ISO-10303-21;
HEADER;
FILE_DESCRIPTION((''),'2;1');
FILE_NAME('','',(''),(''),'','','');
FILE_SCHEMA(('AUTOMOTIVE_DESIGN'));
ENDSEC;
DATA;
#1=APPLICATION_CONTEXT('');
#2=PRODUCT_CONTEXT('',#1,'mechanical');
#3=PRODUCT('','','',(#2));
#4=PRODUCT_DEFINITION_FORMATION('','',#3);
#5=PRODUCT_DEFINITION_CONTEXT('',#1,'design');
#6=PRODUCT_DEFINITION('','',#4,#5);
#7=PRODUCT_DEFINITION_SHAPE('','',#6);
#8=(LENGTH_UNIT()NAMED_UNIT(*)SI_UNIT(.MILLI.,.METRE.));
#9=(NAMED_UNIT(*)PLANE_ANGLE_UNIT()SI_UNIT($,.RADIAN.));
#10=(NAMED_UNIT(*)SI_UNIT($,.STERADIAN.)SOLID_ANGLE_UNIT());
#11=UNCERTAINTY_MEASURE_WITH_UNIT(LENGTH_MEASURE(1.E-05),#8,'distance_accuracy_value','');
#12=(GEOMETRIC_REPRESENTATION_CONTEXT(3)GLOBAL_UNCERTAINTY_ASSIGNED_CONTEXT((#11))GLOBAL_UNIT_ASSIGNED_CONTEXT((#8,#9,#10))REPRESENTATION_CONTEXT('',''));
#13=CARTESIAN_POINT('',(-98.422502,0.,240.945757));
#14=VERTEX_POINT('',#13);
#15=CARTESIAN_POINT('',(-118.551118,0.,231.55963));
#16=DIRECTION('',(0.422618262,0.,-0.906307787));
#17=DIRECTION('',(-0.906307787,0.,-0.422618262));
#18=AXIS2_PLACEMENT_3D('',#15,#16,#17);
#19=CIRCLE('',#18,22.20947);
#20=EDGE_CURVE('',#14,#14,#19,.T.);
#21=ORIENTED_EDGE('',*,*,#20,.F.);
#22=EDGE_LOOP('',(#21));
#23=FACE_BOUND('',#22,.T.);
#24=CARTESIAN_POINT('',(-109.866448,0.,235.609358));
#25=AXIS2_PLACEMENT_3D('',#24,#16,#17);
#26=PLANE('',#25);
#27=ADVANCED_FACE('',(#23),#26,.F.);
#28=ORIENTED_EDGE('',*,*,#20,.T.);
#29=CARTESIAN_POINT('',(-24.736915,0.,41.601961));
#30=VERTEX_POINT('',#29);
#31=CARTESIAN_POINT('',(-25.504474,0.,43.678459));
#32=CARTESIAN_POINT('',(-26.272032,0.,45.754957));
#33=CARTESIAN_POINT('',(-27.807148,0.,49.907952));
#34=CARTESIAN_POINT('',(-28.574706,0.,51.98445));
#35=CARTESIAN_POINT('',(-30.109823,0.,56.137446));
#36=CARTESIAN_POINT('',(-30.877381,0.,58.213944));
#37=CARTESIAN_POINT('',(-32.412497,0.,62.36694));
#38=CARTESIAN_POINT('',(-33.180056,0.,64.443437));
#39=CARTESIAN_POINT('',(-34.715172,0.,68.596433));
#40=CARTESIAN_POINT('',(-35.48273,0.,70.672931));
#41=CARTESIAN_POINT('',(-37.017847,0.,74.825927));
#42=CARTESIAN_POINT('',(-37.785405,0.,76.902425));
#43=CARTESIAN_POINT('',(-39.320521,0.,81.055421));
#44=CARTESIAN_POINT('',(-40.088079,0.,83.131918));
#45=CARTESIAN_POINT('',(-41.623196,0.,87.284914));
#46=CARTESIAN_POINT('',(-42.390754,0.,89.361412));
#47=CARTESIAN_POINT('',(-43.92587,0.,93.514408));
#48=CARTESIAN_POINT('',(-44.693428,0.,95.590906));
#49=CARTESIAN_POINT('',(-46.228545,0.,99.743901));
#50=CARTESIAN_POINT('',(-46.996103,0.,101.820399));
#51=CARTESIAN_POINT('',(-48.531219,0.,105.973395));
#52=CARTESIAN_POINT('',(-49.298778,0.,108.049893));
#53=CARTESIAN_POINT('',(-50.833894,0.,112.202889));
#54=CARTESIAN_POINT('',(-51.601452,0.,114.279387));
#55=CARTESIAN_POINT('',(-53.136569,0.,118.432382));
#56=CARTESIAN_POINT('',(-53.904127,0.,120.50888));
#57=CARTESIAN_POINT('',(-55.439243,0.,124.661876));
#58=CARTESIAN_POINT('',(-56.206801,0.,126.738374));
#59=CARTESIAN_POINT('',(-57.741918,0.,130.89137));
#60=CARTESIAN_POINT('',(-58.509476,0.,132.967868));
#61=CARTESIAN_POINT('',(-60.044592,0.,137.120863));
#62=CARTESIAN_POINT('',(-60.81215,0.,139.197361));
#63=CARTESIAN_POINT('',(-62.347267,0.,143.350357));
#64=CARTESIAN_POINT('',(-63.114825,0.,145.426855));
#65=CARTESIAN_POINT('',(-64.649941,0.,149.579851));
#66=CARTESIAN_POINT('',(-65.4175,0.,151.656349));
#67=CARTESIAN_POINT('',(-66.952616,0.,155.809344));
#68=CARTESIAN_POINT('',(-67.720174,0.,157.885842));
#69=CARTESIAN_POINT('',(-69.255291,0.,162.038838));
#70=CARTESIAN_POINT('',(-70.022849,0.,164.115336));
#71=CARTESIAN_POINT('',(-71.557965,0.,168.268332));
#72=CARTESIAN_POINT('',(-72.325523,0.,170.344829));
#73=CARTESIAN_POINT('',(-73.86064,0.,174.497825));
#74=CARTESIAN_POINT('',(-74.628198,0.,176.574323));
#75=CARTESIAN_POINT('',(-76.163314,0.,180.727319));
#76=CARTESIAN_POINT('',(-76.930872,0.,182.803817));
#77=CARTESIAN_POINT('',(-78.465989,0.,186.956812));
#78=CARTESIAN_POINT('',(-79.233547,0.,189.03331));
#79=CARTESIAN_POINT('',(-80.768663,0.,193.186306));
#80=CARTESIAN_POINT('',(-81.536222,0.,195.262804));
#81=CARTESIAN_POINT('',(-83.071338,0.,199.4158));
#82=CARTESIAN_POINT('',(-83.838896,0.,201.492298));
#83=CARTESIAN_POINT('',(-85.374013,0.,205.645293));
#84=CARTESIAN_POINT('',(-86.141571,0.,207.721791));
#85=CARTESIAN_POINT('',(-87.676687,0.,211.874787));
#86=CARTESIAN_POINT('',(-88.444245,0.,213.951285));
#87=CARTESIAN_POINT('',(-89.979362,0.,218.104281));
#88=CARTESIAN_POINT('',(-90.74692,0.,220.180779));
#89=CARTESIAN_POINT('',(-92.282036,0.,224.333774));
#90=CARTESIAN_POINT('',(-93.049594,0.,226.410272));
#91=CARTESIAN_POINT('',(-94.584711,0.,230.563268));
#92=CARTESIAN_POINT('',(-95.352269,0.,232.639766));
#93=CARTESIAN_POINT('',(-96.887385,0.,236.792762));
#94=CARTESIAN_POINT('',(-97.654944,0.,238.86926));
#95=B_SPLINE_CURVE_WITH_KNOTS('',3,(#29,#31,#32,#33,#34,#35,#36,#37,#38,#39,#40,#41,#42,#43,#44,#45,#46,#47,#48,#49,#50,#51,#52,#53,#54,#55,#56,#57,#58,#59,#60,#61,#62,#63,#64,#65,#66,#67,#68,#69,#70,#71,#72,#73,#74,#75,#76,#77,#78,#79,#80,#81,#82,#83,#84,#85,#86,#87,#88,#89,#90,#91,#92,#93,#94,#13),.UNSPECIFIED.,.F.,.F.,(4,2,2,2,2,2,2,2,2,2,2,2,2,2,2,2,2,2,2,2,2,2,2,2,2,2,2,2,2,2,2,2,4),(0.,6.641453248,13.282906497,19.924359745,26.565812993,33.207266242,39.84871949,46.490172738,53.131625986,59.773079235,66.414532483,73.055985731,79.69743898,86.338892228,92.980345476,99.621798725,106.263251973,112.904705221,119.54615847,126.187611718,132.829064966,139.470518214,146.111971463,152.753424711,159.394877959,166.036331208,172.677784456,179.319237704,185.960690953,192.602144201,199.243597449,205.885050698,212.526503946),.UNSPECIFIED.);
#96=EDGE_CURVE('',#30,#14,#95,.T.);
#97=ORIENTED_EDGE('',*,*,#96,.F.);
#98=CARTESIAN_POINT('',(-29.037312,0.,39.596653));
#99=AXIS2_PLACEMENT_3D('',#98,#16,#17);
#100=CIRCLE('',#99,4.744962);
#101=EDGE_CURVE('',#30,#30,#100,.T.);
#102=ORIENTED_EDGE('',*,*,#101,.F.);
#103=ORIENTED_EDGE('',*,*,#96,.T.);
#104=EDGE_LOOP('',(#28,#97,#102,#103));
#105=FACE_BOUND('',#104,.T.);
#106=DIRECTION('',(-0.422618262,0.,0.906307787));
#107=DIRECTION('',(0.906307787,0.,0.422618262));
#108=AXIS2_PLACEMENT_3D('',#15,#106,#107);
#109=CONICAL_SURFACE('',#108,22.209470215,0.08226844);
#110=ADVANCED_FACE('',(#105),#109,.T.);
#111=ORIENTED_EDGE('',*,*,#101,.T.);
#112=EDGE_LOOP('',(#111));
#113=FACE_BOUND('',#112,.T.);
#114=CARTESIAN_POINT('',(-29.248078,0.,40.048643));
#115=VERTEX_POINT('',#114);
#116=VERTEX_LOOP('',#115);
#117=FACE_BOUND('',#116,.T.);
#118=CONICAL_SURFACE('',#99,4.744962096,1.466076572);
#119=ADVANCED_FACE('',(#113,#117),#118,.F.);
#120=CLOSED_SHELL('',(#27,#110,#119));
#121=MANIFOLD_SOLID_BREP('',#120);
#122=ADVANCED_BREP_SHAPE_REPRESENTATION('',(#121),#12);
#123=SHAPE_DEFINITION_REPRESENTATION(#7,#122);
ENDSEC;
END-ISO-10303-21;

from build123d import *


with BuildPart() as part:
    # Sketch1 → Revolve1 (revolve)
    with BuildSketch(Plane(origin=(0, 0, 0), x_dir=(1, 0, 0), z_dir=(0, 1, 0))):
        Polygon((-29.248077874, -40.048643009), (-118.551117592, -231.559629708), (-98.42250179, -240.945757405), (-24.736915452, -41.601960799), align=None)
    revolve(axis=Axis((-29.248077874, 0, 40.048643009), (-0.4226182617407002, 0, 0.9063077870366496)))


solid = part.part
